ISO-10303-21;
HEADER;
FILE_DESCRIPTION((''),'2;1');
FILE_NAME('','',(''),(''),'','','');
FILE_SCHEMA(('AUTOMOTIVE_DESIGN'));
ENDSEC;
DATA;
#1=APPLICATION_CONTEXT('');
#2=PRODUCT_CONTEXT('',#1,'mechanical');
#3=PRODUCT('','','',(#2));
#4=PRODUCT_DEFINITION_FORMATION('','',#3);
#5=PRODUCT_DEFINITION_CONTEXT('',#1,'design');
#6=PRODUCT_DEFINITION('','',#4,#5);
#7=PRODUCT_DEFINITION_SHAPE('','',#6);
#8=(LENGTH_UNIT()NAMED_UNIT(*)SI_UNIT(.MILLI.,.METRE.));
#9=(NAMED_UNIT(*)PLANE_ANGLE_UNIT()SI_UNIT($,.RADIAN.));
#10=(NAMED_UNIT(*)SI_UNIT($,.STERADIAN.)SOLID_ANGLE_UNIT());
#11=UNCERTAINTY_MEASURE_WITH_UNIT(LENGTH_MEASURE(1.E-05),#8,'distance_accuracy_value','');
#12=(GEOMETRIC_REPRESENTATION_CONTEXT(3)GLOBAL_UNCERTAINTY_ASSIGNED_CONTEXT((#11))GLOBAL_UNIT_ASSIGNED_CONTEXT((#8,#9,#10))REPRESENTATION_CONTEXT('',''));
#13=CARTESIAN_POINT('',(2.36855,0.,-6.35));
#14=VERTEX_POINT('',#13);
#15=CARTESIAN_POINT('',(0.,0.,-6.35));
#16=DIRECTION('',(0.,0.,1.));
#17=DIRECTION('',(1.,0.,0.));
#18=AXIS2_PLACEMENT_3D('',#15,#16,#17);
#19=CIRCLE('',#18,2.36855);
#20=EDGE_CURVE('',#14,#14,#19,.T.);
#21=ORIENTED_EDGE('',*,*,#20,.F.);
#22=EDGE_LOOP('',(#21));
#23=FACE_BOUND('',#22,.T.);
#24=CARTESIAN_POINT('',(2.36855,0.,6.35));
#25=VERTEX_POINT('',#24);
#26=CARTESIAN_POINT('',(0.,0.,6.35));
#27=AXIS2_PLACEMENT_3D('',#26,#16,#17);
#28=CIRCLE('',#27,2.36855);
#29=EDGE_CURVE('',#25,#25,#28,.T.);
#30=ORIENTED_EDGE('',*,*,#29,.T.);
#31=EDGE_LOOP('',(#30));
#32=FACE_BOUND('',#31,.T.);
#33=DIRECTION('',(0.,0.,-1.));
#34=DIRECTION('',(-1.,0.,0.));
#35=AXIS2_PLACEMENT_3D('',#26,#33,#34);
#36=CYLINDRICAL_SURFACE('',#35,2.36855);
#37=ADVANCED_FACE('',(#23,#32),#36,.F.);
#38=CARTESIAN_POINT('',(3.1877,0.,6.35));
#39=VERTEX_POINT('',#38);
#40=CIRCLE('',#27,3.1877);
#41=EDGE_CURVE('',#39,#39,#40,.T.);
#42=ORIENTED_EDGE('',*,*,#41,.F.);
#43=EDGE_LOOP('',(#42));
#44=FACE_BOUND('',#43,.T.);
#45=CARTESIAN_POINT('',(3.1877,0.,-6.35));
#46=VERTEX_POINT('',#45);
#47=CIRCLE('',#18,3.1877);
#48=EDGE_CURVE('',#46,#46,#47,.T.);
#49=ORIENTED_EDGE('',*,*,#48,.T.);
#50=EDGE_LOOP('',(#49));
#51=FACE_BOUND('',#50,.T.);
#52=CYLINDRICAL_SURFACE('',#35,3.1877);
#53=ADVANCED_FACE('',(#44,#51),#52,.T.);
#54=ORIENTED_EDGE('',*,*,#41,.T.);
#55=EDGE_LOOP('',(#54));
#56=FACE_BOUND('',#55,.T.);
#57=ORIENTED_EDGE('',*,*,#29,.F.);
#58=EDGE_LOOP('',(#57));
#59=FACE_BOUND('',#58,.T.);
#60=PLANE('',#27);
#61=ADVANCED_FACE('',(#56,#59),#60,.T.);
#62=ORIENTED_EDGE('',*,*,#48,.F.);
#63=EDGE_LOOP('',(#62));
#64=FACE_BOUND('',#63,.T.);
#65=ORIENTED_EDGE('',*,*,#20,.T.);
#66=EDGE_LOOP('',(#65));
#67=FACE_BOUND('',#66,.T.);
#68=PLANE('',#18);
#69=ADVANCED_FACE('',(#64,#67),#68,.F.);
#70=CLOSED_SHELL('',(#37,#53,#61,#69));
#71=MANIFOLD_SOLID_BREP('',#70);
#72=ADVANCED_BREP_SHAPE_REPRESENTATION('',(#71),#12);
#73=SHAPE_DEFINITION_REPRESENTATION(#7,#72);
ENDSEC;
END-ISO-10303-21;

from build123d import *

# Parameters (mm, degrees)
SKETCH1_R      = 3.1877
SKETCH1_R_2    = 2.36855
EXTRUDE1_DEPTH = 6.35


with BuildPart() as part:
    # Sketch1 → Extrude1 (new body, symmetric)
    with BuildSketch(Plane.XY):
        Circle(SKETCH1_R)
        Circle(SKETCH1_R_2, mode=Mode.SUBTRACT)
    extrude(amount=EXTRUDE1_DEPTH, both=True)


solid = part.part
